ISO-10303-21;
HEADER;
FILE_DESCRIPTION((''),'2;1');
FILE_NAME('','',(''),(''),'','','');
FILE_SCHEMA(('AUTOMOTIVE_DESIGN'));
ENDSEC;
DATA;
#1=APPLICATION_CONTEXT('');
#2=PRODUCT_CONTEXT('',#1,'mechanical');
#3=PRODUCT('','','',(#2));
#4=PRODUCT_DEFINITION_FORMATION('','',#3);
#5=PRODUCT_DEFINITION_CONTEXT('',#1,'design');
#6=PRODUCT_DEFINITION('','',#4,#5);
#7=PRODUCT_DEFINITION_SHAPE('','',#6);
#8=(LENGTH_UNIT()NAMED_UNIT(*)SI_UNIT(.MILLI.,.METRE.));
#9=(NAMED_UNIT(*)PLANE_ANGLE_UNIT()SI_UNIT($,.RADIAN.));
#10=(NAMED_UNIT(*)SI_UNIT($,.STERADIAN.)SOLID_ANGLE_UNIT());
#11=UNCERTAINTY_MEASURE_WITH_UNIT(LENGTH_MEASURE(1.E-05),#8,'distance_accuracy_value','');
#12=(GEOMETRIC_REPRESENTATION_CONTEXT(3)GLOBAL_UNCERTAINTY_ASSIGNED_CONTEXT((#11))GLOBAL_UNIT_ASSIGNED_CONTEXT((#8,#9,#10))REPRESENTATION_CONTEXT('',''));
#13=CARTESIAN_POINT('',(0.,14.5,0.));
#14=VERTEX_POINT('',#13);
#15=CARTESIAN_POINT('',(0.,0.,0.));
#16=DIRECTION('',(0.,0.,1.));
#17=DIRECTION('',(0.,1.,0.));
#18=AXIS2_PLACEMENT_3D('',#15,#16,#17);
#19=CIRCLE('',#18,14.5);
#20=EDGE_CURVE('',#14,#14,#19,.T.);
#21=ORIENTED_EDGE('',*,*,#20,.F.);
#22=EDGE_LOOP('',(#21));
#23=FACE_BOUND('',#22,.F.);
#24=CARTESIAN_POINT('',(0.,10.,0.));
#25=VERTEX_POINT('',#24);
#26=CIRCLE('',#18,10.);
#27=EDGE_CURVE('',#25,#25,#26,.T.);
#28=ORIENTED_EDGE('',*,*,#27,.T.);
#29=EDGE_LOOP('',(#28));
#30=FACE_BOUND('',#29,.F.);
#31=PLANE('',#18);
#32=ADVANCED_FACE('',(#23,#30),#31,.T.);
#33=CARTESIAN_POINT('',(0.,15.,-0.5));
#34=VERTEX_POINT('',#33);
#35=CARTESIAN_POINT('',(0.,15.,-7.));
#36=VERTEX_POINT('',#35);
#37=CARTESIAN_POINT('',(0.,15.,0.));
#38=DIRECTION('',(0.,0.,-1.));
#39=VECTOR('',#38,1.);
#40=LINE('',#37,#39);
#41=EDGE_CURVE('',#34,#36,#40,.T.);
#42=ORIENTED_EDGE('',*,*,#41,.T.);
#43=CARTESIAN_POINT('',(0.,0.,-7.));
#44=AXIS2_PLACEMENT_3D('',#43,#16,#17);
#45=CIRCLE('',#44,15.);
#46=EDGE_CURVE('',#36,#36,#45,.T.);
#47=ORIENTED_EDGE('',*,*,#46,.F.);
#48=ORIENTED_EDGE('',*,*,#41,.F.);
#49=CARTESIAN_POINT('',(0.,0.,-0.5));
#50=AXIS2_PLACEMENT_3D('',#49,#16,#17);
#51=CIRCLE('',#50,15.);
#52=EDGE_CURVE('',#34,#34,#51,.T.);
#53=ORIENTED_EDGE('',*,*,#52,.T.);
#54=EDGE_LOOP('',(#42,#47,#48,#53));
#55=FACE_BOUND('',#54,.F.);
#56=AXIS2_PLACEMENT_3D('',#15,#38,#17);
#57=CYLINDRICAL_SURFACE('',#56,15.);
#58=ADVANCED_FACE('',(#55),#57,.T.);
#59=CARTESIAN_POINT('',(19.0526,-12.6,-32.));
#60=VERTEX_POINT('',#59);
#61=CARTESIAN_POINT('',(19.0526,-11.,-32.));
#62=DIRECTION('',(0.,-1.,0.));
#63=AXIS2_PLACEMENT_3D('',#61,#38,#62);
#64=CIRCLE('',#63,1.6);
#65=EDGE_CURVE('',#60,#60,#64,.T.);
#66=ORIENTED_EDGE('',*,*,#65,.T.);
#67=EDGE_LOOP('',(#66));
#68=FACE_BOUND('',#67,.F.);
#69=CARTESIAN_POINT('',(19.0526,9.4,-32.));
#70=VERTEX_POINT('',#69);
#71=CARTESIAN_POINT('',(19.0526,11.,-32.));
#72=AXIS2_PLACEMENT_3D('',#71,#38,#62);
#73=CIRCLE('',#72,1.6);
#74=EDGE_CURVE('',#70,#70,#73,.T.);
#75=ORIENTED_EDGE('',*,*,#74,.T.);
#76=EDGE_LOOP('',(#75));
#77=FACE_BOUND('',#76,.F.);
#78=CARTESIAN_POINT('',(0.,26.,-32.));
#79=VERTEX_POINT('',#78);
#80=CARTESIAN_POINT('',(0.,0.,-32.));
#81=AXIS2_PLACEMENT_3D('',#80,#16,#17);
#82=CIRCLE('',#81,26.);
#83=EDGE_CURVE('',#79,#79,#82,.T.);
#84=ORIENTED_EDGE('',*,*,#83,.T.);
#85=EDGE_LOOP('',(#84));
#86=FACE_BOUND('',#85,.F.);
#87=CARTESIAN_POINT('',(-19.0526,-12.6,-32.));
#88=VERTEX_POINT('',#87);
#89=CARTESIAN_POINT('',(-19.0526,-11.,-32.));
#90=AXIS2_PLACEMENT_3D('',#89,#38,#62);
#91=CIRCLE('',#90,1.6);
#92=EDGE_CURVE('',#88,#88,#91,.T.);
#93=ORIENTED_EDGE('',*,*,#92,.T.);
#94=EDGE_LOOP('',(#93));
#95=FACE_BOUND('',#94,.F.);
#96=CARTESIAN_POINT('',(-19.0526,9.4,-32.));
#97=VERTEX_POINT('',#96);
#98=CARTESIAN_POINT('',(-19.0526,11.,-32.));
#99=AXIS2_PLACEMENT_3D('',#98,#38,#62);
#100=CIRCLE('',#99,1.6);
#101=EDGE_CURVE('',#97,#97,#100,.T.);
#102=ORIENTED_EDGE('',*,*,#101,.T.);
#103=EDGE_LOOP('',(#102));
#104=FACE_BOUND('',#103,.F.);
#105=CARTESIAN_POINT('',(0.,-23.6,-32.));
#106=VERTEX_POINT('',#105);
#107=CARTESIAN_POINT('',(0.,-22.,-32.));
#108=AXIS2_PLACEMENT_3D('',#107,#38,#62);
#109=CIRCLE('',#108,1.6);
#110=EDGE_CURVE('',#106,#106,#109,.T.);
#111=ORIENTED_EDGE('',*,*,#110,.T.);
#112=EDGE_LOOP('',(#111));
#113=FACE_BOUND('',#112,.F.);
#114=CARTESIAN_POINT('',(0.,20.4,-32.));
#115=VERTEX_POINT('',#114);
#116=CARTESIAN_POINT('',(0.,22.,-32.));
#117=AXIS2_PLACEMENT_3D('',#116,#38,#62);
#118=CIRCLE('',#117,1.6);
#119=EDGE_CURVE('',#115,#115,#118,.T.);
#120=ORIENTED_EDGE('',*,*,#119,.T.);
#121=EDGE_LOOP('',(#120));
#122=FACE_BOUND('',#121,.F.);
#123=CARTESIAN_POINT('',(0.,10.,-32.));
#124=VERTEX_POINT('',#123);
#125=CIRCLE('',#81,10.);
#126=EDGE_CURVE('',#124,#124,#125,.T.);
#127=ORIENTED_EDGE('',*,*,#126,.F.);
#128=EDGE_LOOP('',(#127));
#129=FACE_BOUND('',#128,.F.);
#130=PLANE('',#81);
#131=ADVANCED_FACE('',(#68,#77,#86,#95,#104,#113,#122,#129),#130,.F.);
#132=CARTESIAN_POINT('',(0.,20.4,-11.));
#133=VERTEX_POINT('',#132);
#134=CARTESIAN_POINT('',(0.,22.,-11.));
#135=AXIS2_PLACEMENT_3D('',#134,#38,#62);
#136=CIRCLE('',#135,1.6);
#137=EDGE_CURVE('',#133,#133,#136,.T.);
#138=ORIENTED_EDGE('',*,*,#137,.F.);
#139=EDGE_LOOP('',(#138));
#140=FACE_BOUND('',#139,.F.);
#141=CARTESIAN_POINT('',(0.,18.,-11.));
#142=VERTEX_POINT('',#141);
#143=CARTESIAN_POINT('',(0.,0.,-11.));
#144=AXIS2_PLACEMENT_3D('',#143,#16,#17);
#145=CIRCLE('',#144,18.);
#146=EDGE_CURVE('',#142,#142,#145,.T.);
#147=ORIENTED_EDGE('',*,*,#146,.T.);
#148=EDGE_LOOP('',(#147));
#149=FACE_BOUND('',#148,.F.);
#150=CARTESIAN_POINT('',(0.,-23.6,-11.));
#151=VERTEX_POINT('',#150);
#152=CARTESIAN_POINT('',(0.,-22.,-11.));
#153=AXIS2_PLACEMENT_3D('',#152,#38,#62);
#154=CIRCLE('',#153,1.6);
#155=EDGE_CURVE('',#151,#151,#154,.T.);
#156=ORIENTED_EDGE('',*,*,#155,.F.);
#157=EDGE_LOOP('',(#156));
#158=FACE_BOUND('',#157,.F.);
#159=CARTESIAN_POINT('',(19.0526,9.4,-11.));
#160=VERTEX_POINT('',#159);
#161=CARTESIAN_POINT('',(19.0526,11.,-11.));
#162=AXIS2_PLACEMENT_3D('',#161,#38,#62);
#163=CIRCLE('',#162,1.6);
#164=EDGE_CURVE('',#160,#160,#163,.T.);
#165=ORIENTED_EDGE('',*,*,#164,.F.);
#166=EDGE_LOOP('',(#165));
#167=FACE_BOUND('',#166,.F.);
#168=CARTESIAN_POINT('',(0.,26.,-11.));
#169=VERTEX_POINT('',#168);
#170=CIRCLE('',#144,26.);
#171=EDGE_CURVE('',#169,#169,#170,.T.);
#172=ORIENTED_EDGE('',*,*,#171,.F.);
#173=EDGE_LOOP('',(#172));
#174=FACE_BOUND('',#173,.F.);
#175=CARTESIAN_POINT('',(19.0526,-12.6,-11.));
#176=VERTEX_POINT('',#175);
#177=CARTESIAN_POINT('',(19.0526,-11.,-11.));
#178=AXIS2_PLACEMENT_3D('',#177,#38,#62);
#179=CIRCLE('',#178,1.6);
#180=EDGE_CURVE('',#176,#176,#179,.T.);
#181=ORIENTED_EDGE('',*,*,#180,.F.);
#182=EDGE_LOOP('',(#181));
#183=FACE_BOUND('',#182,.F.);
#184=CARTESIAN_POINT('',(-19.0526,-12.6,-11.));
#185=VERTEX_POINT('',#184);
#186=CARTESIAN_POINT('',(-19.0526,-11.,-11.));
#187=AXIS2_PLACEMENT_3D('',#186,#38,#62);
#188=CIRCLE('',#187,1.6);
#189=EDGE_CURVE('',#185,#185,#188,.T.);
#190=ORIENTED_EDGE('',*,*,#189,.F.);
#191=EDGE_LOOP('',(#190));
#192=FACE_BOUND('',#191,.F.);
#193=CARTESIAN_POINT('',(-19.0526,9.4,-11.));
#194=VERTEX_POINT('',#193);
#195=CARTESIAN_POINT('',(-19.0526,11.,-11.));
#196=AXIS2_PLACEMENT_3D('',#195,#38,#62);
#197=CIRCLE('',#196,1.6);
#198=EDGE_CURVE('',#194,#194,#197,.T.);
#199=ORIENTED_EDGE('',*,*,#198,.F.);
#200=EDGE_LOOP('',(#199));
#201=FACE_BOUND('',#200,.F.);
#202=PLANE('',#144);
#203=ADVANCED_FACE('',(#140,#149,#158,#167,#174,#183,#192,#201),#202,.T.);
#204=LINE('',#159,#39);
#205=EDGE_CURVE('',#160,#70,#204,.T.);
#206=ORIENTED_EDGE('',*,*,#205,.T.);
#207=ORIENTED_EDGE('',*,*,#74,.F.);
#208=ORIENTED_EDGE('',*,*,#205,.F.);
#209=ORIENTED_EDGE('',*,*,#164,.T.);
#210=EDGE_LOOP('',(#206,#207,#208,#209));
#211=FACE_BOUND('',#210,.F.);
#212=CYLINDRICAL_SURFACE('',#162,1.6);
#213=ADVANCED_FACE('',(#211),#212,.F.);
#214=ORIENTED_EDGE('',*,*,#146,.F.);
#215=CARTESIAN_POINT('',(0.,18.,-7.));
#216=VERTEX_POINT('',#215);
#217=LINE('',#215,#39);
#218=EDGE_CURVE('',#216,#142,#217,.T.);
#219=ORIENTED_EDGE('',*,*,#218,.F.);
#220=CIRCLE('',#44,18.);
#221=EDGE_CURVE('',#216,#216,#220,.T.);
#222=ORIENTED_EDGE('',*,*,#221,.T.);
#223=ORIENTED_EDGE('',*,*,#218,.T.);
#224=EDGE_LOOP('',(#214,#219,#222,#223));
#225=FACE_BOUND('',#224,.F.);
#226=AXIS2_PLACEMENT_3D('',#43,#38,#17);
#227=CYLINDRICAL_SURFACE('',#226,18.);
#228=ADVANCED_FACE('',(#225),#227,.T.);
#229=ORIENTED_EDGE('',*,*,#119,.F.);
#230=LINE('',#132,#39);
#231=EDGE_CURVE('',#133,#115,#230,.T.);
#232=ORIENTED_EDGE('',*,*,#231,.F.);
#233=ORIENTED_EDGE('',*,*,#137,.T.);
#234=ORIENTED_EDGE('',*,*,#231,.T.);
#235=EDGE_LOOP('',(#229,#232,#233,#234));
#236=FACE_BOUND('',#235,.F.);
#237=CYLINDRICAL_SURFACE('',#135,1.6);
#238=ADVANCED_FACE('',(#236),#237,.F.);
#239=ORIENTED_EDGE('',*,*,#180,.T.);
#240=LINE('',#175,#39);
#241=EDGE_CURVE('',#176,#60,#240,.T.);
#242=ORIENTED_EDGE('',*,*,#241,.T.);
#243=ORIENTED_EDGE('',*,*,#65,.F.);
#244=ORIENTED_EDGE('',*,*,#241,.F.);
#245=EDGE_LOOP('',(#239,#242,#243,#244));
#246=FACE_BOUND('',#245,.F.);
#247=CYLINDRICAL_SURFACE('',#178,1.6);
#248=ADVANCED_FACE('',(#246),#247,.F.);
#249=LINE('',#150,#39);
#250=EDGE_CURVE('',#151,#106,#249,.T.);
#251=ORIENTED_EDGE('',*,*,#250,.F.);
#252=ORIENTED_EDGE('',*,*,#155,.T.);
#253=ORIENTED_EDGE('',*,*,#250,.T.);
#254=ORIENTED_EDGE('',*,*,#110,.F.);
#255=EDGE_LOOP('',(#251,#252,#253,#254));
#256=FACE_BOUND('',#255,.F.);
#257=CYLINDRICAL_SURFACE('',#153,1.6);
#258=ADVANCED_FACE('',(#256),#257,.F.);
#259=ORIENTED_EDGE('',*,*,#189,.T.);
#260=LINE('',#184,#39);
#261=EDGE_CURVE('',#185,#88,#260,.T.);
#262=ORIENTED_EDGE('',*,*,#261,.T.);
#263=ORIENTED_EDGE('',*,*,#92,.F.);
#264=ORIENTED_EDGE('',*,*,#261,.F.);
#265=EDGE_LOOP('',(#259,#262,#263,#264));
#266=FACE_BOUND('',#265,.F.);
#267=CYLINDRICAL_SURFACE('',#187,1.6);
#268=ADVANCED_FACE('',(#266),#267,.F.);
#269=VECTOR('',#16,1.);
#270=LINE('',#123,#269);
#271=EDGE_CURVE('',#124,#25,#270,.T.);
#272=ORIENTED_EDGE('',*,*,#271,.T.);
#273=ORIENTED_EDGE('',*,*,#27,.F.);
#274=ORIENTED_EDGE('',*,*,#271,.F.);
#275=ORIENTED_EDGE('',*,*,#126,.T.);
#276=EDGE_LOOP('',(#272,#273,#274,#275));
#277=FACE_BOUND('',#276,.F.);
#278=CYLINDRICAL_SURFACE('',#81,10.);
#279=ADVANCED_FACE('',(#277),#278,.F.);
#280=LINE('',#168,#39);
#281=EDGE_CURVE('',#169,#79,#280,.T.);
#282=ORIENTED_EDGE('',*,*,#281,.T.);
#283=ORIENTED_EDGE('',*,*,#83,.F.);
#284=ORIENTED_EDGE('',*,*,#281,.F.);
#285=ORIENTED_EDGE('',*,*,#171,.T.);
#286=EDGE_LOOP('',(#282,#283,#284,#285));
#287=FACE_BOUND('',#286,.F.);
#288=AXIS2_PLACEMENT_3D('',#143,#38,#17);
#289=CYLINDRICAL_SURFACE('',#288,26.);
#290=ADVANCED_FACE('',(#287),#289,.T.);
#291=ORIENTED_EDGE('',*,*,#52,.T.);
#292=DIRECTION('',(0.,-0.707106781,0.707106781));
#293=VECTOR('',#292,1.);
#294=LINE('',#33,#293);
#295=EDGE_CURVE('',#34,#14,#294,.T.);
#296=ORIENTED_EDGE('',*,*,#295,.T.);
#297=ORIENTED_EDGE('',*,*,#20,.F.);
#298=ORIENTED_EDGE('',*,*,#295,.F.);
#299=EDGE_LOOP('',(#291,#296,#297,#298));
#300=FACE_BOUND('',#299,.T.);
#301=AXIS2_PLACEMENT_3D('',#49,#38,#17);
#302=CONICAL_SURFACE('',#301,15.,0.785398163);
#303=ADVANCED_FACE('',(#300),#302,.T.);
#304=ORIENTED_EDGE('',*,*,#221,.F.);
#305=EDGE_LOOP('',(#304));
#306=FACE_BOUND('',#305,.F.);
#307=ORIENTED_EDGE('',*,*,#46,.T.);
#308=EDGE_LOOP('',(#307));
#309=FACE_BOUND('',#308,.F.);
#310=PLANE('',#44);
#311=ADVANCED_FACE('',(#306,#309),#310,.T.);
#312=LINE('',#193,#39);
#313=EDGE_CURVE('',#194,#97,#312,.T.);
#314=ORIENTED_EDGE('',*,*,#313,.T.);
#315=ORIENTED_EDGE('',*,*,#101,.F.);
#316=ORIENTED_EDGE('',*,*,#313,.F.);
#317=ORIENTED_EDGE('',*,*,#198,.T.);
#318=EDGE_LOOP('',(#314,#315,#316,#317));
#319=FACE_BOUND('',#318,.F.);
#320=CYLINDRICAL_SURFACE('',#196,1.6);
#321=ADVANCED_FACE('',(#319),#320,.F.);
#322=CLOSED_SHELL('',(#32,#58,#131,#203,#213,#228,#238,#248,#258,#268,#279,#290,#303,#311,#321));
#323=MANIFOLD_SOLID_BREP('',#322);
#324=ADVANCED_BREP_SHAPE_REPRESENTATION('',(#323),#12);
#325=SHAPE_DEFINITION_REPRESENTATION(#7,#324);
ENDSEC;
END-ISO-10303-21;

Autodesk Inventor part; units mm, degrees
ref_plane "YZ Plane" through (0, 0, 0) normal (1, 0, 0) x (0, 1, 0)
ref_plane "XZ Plane" through (0, 0, 0) normal (0, 1, 0) x (-1, 0, 0)
ref_plane "XY Plane" through (0, 0, 0) normal (0, 0, 1) x (1, 0, 0)
sketch "スケッチ1" plane through (0, 0, 0) normal (1, 0, 0) x (0, 1, 0)
  line L0 (15, 0) -> (15, -7)
  line L1 (15, -7) -> (18, -7)
  line L2 (26, -32) -> (10, -32)
  line L3 (10, -32) -> (10, 0)
  line L4 (10, 0) -> (15, 0)
  line L5 (0, -38.4) -> (0, 6.4) projected
  line L6 (18, -7) -> (18, -11)
  line L7 (18, -11) -> (26, -11)
  line L8 (26, -11) -> (26, -32)
  point P0 (0, 0)
  dimension "d0" = 10
  dimension "d1" = 15
  dimension "d2" = 7
  dimension "d3" = 3
  dimension "d10" = 25
  dimension "d11" = 4
  dimension "d12" = 8
revolve "回転1" add sketch "スケッチ1" angle 360 about axis through (0, 0, -10) along (0, 0, 1)
chamfer "面取り1" distance 0.5 angle 45 1 edges at (0, -15, 0)
sketch "スケッチ2" plane through (0, 0, -11) normal (0, 0, 1) x (1, 0, 0)
  circle A0 centre (0, 0) radius 26 projected
  circle A1 centre (0, 0) radius 22
  point P0 (0, 22)
  point P1 (-19.0526, 11)
  point P2 (-19.0526, -11)
  point P3 (0, -22)
  point P4 (19.0526, -11)
  point P5 (19.0526, 11)
  dimension "d13" = 4
  dimension "d16" = 360
hole "穴1" at (0, 22, -11) at (-19.0526, 11, -11) at (-19.0526, -11, -11) at (0, -22, -11) at (19.0526, -11, -11) at (19.0526, 11, -11) direction (0, 0, -1) diameter 3.2 end through all clearance for "Socket Head Cap Screw" size "M3" standard "Ansi Metric M Profile"
properties part number "base6" material "ABS プラスチック"
